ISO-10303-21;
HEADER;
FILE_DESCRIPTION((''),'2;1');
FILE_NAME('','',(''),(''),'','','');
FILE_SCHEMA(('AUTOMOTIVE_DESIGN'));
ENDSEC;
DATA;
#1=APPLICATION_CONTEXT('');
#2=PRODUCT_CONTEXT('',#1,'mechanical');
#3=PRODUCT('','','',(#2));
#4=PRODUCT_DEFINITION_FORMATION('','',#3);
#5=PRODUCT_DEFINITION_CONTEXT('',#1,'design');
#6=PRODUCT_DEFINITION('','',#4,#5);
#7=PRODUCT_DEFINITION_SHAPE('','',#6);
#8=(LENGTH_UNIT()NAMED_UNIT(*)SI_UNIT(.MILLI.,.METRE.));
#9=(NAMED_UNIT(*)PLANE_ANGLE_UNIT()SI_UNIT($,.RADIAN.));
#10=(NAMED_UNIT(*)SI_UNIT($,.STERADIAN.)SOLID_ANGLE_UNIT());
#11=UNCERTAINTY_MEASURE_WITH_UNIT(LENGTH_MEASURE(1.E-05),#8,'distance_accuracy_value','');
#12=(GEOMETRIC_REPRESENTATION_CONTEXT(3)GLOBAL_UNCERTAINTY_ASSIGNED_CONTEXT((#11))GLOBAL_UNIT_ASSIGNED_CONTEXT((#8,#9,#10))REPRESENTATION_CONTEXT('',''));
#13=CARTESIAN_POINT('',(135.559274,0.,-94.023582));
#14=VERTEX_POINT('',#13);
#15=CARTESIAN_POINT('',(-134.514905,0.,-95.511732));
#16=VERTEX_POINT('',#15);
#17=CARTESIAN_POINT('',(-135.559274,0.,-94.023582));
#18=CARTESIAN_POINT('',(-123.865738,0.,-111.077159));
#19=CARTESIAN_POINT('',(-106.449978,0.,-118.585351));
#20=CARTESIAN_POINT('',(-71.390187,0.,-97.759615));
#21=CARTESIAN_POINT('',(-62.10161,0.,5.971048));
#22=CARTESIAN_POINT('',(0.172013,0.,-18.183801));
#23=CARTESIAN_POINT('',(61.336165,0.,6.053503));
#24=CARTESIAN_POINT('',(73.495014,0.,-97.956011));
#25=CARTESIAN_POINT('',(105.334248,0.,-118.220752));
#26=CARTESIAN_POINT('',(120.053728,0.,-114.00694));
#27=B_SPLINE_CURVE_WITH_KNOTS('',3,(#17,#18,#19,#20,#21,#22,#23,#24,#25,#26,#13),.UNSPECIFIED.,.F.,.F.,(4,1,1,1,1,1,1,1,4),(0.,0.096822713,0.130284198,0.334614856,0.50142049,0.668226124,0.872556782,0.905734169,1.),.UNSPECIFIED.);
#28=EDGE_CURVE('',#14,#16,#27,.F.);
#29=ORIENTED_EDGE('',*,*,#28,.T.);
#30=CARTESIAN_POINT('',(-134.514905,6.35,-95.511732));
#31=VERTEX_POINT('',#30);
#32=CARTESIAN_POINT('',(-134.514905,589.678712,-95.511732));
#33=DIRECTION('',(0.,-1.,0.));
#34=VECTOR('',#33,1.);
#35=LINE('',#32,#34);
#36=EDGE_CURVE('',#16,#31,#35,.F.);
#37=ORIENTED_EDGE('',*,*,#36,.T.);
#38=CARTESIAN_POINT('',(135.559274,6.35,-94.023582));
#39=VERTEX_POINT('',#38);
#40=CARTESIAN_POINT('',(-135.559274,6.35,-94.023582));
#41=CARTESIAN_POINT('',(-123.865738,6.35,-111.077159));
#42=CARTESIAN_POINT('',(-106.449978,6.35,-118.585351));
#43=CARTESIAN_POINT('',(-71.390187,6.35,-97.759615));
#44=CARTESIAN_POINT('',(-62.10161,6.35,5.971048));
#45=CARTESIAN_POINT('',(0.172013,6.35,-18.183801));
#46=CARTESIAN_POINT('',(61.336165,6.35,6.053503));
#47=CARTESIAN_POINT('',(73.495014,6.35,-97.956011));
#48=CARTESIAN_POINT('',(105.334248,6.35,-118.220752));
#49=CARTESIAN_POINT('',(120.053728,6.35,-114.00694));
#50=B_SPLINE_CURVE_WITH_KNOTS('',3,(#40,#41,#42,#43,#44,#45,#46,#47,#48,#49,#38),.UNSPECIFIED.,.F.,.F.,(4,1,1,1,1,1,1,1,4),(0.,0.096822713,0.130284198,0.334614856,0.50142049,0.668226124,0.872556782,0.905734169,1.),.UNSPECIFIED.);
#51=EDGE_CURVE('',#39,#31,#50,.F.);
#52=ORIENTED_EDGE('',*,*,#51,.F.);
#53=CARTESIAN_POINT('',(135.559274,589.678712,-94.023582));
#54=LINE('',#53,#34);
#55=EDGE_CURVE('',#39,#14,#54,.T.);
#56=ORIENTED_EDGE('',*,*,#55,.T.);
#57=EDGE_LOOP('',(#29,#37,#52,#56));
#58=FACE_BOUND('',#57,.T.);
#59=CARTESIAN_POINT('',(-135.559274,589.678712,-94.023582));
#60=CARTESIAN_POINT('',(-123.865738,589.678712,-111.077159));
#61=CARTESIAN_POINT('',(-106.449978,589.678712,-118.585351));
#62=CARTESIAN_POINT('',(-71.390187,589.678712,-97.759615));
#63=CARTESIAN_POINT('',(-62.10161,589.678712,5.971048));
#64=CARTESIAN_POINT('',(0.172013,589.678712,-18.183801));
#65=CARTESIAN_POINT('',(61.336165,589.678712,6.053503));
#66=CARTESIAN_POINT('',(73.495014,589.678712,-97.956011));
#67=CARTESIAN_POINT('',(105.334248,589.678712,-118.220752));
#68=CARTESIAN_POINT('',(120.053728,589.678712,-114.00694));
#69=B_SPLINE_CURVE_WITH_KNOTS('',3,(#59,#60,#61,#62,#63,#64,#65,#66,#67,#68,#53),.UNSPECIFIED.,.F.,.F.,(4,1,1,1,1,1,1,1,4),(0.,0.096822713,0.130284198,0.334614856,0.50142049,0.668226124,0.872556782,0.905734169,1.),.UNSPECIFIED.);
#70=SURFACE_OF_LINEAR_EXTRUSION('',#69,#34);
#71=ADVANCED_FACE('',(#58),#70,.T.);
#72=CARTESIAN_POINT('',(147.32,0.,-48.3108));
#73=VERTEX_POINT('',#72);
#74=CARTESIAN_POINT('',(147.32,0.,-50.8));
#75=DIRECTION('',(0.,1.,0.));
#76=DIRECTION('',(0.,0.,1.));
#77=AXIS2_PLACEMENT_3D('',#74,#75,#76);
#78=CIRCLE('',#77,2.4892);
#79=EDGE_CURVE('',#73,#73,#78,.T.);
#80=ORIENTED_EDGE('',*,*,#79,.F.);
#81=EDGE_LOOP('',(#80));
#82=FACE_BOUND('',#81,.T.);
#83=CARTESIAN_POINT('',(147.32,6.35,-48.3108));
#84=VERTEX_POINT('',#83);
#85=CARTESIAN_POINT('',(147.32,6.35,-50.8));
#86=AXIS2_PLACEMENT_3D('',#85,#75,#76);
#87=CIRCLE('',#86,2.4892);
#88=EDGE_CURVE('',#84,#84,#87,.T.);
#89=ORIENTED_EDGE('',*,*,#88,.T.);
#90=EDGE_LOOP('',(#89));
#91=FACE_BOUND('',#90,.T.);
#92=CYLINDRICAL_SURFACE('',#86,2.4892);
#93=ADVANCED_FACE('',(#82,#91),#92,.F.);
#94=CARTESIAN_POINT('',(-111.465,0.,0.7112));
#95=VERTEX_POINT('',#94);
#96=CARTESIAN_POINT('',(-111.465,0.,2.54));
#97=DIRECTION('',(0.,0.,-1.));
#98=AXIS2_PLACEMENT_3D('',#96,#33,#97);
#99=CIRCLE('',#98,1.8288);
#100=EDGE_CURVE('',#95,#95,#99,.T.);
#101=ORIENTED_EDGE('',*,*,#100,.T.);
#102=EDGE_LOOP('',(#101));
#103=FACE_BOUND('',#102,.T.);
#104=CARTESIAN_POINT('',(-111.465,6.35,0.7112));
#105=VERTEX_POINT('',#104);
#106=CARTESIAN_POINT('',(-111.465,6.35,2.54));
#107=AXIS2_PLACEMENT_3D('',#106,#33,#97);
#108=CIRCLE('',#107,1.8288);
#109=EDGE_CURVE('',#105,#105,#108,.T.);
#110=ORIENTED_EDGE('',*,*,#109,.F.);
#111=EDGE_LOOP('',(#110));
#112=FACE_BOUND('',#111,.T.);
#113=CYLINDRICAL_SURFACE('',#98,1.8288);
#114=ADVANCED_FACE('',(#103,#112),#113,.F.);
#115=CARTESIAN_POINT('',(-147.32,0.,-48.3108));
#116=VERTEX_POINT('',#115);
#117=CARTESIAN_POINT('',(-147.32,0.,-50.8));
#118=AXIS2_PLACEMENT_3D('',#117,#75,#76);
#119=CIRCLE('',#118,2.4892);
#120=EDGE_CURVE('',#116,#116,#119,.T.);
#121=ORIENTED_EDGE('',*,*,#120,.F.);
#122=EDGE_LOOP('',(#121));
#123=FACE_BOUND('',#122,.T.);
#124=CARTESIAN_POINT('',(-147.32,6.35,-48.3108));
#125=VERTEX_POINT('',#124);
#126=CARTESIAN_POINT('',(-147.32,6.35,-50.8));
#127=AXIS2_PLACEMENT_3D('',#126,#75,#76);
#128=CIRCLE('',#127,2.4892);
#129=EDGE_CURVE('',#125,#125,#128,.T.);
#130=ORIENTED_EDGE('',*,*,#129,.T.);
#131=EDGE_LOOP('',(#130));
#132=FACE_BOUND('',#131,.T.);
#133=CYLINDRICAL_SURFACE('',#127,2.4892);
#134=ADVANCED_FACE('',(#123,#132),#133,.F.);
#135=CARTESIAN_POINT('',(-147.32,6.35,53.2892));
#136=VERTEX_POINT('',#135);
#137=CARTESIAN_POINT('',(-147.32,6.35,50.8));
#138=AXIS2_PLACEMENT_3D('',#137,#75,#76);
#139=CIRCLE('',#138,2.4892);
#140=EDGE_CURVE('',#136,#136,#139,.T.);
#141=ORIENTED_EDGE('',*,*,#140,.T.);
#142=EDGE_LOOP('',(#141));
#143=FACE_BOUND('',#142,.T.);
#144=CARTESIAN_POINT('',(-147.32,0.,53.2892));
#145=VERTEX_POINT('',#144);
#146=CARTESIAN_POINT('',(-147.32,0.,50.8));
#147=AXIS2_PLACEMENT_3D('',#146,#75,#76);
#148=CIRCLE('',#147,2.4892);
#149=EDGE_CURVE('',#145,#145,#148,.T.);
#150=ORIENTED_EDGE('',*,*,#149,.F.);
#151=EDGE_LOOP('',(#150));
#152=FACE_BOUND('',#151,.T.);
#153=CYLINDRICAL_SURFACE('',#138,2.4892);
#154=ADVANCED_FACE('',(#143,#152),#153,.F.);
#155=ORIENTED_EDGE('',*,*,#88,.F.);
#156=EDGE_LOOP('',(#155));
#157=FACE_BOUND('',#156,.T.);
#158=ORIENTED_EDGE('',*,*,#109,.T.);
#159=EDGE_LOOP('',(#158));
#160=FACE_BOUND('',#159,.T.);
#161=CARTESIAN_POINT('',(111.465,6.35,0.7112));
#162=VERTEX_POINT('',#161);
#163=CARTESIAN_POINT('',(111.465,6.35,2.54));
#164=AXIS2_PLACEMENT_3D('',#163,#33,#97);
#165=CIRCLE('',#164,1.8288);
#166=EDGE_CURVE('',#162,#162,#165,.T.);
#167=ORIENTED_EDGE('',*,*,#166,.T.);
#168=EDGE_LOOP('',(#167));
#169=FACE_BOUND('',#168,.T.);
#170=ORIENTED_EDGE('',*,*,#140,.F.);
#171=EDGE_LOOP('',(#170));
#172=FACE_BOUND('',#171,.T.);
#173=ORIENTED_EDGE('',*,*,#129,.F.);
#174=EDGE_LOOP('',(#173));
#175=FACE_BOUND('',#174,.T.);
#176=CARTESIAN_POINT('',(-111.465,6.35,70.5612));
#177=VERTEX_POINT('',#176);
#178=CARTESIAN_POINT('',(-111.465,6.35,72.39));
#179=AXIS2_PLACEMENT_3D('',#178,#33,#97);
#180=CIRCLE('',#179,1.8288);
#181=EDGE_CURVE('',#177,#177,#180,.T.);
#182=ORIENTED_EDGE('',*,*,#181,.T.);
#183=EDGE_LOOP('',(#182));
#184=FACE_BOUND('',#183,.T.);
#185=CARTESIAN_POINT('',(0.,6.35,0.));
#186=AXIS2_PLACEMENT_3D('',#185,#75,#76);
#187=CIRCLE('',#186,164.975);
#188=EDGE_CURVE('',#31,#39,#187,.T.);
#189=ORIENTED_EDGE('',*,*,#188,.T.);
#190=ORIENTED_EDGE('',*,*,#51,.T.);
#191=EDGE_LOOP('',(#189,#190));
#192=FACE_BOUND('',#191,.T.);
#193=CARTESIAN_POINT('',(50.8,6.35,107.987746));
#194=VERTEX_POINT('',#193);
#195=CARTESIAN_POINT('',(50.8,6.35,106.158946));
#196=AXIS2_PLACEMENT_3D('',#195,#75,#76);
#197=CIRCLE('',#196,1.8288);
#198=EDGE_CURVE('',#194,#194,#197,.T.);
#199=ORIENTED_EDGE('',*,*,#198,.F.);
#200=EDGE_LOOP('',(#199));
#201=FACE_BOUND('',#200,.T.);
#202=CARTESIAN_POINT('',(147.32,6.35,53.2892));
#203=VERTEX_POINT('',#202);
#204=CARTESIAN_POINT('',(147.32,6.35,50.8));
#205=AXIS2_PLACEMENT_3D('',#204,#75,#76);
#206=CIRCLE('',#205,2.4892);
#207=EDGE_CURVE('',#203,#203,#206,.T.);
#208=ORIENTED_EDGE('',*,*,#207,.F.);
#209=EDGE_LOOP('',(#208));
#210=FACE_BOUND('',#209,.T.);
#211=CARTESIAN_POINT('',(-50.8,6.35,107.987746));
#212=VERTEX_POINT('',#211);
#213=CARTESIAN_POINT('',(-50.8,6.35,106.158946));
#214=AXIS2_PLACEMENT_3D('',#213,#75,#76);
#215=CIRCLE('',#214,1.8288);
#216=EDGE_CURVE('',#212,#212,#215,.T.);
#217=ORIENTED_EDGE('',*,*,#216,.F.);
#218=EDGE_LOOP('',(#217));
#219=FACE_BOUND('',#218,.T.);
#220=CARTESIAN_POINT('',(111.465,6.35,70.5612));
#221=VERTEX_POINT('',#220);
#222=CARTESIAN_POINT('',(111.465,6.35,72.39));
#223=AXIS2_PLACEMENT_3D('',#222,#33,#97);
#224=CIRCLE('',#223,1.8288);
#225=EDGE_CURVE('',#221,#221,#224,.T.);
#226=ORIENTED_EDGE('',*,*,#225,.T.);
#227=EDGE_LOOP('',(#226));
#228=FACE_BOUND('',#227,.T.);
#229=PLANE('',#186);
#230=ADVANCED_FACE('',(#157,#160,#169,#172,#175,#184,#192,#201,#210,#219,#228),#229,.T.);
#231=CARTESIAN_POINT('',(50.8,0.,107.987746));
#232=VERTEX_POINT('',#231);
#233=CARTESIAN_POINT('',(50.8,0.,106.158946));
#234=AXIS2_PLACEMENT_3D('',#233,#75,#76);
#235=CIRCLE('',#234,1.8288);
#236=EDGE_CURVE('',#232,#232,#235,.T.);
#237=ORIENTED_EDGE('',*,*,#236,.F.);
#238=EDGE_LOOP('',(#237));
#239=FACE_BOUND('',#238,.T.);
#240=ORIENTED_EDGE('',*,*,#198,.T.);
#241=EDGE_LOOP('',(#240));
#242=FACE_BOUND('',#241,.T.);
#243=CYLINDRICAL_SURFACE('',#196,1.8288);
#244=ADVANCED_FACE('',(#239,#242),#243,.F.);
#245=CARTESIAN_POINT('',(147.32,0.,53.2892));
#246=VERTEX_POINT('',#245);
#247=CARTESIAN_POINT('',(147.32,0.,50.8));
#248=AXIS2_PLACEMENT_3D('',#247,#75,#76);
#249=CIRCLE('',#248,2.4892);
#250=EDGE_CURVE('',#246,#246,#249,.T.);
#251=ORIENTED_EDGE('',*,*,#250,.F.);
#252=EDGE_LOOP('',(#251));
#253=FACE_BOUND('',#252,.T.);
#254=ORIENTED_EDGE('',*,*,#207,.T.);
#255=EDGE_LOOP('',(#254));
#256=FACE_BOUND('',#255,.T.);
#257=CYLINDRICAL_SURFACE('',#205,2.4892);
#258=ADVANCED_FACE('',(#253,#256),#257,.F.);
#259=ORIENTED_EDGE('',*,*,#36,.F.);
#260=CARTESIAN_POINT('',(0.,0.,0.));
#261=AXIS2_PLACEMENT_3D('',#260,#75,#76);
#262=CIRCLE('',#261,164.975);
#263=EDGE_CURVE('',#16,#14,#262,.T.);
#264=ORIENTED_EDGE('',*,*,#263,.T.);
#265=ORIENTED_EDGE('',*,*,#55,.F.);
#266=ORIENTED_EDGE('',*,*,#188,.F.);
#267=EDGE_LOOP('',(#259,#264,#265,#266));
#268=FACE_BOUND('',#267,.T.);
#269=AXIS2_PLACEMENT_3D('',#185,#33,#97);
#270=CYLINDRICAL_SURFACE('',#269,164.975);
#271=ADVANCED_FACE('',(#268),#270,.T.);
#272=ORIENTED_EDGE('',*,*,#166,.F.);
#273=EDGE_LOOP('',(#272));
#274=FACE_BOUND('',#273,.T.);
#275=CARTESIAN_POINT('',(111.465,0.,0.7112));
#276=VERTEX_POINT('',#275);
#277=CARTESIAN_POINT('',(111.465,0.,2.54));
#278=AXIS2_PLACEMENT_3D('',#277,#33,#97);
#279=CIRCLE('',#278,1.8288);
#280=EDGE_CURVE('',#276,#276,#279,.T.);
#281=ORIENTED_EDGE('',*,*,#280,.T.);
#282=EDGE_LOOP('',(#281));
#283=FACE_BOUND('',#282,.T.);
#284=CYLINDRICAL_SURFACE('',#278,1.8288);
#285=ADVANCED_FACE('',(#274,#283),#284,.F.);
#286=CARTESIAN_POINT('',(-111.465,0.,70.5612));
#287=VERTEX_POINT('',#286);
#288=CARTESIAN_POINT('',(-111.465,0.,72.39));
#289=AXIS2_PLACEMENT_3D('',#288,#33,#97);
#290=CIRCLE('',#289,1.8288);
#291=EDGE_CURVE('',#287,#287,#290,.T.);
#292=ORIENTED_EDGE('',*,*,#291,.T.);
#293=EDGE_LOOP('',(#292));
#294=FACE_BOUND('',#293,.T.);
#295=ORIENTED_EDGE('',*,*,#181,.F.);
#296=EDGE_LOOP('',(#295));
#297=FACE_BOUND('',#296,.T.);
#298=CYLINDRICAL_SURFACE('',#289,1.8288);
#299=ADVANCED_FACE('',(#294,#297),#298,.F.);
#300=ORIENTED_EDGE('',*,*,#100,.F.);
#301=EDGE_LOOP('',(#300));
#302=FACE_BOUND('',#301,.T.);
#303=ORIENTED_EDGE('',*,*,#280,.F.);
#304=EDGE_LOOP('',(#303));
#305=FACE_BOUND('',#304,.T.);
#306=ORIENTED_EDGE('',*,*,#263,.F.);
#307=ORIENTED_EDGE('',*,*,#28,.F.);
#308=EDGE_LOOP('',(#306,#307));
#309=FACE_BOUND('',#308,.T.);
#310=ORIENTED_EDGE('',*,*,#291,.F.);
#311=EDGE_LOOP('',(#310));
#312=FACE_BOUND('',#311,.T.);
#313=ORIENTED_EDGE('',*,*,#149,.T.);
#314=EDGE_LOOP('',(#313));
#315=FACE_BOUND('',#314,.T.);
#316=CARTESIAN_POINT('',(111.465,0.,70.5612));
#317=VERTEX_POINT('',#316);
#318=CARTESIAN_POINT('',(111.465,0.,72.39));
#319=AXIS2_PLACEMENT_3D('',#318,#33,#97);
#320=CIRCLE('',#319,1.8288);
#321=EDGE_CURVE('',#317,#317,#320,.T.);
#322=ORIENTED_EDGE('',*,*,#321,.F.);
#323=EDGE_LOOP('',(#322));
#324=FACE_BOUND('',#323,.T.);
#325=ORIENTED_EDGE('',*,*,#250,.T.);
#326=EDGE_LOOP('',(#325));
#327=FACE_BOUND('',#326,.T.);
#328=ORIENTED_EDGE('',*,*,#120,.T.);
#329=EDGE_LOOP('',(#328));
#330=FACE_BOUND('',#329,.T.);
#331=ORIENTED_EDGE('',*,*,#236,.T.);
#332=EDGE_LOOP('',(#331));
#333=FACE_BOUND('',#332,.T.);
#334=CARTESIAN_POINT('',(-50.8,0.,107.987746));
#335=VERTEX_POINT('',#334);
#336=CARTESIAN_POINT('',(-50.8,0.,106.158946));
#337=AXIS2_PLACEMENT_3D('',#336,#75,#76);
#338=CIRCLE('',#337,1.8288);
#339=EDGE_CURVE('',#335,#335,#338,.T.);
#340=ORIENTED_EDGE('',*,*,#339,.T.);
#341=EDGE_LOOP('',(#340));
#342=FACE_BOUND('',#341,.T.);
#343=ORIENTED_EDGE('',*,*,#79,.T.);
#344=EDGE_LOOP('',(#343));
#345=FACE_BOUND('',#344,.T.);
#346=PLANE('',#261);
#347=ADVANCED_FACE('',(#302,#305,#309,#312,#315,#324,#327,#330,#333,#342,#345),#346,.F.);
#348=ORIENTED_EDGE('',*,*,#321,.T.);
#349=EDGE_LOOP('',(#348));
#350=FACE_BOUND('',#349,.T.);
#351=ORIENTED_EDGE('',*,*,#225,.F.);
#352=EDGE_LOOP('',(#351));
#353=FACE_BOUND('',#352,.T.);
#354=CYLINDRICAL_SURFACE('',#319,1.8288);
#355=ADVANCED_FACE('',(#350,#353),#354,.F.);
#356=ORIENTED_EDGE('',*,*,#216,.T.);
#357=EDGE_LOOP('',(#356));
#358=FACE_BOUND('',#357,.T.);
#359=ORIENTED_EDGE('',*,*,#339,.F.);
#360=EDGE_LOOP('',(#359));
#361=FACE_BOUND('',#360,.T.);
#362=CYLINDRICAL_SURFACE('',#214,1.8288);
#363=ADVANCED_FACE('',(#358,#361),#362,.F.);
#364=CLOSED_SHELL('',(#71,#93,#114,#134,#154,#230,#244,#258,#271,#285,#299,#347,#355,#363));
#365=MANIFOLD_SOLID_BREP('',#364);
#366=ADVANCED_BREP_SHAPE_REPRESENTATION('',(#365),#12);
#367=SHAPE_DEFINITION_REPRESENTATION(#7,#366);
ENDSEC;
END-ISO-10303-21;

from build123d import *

# Parameters (mm, degrees)
SKETCH1_R                 = 164.975
BOSS_EXTRUDE1_DEPTH       = 6.35
F_6_CLEARANCE_HOLE1_D     = 3.6576
CUT_EXTRUDE1_DEPTH        = 234.396280497
CUT_EXTRUDE1_DEPTH_BACK   = 234.396280497
F_6_CLEARANCE_HOLE2_D     = 3.6576
F_6_CLEARANCE_HOLE2_DEPTH = 25.4
F_6_CLEARANCE_HOLE2_TIP   = 1.0988539
F_10_CLEARANCE_HOLE3_D    = 4.9784


with BuildPart() as part:
    # Sketch1 → Boss-Extrude1 (new body)
    with BuildSketch(Plane(origin=(0, 0, 0), x_dir=(1, 0, 0), z_dir=(0, 1, 0))):
        with Locations(Location((0, 0, 0), (0, 0, 270))):
            Circle(SKETCH1_R)
    extrude(amount=BOSS_EXTRUDE1_DEPTH)

    # #6 Clearance Hole1 (through all)
    with Locations(Plane(origin=(111.465, 0, 2.54), x_dir=(0, 0, -1), z_dir=(0, -1, 0))):
        with Locations((0, 0), (-69.85, 0), (-69.85, -222.93), (0, -222.93)):
            Hole(F_6_CLEARANCE_HOLE1_D / 2)

    # Sketch4 → Cut-Extrude1 (cut, two sides: drawn at the far end of the back side and taken through both)
    with BuildSketch(Plane(origin=(0, 6.35, 0), x_dir=(1, 0, 0), z_dir=(0, 1, 0)).offset(-CUT_EXTRUDE1_DEPTH_BACK)):
        with BuildLine():
            ThreePointArc((135.559273802, 94.023581677), (0.909023753, 164.972495589), (-134.514905155, 95.511731825))
            add(Edge.make_bspline(
                [(-134.514905155, 95.511731825), (-123.099313746, 111.400768261), (-106.148892425, 118.406504162), (-71.390187055, 97.759614567), (-62.101610339, -5.971047897), (0.172013059, 18.183800686), (61.336165132, -6.05350297), (73.495013895, 97.95601073), (105.334247953, 118.220752119), (120.053727673, 114.006940105), (135.559273802, 94.023581677)],
                knots=[0.002873593, 0.002873593, 0.002873593, 0.002873593, 0.096822713, 0.130284198, 0.334614856, 0.50142049, 0.668226124, 0.872556782, 0.905734169, 1, 1, 1, 1], degree=3))
        make_face()
    extrude(amount=CUT_EXTRUDE1_DEPTH + CUT_EXTRUDE1_DEPTH_BACK, mode=Mode.SUBTRACT)

    # #6 Clearance Hole2
    with Locations(Plane(origin=(50.8, 6.35, 106.158945667), x_dir=(0, 0, 1), z_dir=(0, 1, 0))):
        with Locations((0, 0), (0, -101.6)):
            Hole(F_6_CLEARANCE_HOLE2_D / 2, depth=F_6_CLEARANCE_HOLE2_DEPTH)
            with Locations((0, 0, -(F_6_CLEARANCE_HOLE2_DEPTH + F_6_CLEARANCE_HOLE2_TIP / 2))):  # 118° drill point
                Cone(0, F_6_CLEARANCE_HOLE2_D / 2, F_6_CLEARANCE_HOLE2_TIP, mode=Mode.SUBTRACT)

    # #10 Clearance Hole3 (through all)
    with Locations(Plane(origin=(0, 6.35, 0), x_dir=(-1, 0, 0), z_dir=(0, 1, 0))):
        with Locations((147.32, -50.8), (147.32, 50.8), (-147.32, -50.8), (-147.32, 50.8)):
            Hole(F_10_CLEARANCE_HOLE3_D / 2)


solid = part.part
